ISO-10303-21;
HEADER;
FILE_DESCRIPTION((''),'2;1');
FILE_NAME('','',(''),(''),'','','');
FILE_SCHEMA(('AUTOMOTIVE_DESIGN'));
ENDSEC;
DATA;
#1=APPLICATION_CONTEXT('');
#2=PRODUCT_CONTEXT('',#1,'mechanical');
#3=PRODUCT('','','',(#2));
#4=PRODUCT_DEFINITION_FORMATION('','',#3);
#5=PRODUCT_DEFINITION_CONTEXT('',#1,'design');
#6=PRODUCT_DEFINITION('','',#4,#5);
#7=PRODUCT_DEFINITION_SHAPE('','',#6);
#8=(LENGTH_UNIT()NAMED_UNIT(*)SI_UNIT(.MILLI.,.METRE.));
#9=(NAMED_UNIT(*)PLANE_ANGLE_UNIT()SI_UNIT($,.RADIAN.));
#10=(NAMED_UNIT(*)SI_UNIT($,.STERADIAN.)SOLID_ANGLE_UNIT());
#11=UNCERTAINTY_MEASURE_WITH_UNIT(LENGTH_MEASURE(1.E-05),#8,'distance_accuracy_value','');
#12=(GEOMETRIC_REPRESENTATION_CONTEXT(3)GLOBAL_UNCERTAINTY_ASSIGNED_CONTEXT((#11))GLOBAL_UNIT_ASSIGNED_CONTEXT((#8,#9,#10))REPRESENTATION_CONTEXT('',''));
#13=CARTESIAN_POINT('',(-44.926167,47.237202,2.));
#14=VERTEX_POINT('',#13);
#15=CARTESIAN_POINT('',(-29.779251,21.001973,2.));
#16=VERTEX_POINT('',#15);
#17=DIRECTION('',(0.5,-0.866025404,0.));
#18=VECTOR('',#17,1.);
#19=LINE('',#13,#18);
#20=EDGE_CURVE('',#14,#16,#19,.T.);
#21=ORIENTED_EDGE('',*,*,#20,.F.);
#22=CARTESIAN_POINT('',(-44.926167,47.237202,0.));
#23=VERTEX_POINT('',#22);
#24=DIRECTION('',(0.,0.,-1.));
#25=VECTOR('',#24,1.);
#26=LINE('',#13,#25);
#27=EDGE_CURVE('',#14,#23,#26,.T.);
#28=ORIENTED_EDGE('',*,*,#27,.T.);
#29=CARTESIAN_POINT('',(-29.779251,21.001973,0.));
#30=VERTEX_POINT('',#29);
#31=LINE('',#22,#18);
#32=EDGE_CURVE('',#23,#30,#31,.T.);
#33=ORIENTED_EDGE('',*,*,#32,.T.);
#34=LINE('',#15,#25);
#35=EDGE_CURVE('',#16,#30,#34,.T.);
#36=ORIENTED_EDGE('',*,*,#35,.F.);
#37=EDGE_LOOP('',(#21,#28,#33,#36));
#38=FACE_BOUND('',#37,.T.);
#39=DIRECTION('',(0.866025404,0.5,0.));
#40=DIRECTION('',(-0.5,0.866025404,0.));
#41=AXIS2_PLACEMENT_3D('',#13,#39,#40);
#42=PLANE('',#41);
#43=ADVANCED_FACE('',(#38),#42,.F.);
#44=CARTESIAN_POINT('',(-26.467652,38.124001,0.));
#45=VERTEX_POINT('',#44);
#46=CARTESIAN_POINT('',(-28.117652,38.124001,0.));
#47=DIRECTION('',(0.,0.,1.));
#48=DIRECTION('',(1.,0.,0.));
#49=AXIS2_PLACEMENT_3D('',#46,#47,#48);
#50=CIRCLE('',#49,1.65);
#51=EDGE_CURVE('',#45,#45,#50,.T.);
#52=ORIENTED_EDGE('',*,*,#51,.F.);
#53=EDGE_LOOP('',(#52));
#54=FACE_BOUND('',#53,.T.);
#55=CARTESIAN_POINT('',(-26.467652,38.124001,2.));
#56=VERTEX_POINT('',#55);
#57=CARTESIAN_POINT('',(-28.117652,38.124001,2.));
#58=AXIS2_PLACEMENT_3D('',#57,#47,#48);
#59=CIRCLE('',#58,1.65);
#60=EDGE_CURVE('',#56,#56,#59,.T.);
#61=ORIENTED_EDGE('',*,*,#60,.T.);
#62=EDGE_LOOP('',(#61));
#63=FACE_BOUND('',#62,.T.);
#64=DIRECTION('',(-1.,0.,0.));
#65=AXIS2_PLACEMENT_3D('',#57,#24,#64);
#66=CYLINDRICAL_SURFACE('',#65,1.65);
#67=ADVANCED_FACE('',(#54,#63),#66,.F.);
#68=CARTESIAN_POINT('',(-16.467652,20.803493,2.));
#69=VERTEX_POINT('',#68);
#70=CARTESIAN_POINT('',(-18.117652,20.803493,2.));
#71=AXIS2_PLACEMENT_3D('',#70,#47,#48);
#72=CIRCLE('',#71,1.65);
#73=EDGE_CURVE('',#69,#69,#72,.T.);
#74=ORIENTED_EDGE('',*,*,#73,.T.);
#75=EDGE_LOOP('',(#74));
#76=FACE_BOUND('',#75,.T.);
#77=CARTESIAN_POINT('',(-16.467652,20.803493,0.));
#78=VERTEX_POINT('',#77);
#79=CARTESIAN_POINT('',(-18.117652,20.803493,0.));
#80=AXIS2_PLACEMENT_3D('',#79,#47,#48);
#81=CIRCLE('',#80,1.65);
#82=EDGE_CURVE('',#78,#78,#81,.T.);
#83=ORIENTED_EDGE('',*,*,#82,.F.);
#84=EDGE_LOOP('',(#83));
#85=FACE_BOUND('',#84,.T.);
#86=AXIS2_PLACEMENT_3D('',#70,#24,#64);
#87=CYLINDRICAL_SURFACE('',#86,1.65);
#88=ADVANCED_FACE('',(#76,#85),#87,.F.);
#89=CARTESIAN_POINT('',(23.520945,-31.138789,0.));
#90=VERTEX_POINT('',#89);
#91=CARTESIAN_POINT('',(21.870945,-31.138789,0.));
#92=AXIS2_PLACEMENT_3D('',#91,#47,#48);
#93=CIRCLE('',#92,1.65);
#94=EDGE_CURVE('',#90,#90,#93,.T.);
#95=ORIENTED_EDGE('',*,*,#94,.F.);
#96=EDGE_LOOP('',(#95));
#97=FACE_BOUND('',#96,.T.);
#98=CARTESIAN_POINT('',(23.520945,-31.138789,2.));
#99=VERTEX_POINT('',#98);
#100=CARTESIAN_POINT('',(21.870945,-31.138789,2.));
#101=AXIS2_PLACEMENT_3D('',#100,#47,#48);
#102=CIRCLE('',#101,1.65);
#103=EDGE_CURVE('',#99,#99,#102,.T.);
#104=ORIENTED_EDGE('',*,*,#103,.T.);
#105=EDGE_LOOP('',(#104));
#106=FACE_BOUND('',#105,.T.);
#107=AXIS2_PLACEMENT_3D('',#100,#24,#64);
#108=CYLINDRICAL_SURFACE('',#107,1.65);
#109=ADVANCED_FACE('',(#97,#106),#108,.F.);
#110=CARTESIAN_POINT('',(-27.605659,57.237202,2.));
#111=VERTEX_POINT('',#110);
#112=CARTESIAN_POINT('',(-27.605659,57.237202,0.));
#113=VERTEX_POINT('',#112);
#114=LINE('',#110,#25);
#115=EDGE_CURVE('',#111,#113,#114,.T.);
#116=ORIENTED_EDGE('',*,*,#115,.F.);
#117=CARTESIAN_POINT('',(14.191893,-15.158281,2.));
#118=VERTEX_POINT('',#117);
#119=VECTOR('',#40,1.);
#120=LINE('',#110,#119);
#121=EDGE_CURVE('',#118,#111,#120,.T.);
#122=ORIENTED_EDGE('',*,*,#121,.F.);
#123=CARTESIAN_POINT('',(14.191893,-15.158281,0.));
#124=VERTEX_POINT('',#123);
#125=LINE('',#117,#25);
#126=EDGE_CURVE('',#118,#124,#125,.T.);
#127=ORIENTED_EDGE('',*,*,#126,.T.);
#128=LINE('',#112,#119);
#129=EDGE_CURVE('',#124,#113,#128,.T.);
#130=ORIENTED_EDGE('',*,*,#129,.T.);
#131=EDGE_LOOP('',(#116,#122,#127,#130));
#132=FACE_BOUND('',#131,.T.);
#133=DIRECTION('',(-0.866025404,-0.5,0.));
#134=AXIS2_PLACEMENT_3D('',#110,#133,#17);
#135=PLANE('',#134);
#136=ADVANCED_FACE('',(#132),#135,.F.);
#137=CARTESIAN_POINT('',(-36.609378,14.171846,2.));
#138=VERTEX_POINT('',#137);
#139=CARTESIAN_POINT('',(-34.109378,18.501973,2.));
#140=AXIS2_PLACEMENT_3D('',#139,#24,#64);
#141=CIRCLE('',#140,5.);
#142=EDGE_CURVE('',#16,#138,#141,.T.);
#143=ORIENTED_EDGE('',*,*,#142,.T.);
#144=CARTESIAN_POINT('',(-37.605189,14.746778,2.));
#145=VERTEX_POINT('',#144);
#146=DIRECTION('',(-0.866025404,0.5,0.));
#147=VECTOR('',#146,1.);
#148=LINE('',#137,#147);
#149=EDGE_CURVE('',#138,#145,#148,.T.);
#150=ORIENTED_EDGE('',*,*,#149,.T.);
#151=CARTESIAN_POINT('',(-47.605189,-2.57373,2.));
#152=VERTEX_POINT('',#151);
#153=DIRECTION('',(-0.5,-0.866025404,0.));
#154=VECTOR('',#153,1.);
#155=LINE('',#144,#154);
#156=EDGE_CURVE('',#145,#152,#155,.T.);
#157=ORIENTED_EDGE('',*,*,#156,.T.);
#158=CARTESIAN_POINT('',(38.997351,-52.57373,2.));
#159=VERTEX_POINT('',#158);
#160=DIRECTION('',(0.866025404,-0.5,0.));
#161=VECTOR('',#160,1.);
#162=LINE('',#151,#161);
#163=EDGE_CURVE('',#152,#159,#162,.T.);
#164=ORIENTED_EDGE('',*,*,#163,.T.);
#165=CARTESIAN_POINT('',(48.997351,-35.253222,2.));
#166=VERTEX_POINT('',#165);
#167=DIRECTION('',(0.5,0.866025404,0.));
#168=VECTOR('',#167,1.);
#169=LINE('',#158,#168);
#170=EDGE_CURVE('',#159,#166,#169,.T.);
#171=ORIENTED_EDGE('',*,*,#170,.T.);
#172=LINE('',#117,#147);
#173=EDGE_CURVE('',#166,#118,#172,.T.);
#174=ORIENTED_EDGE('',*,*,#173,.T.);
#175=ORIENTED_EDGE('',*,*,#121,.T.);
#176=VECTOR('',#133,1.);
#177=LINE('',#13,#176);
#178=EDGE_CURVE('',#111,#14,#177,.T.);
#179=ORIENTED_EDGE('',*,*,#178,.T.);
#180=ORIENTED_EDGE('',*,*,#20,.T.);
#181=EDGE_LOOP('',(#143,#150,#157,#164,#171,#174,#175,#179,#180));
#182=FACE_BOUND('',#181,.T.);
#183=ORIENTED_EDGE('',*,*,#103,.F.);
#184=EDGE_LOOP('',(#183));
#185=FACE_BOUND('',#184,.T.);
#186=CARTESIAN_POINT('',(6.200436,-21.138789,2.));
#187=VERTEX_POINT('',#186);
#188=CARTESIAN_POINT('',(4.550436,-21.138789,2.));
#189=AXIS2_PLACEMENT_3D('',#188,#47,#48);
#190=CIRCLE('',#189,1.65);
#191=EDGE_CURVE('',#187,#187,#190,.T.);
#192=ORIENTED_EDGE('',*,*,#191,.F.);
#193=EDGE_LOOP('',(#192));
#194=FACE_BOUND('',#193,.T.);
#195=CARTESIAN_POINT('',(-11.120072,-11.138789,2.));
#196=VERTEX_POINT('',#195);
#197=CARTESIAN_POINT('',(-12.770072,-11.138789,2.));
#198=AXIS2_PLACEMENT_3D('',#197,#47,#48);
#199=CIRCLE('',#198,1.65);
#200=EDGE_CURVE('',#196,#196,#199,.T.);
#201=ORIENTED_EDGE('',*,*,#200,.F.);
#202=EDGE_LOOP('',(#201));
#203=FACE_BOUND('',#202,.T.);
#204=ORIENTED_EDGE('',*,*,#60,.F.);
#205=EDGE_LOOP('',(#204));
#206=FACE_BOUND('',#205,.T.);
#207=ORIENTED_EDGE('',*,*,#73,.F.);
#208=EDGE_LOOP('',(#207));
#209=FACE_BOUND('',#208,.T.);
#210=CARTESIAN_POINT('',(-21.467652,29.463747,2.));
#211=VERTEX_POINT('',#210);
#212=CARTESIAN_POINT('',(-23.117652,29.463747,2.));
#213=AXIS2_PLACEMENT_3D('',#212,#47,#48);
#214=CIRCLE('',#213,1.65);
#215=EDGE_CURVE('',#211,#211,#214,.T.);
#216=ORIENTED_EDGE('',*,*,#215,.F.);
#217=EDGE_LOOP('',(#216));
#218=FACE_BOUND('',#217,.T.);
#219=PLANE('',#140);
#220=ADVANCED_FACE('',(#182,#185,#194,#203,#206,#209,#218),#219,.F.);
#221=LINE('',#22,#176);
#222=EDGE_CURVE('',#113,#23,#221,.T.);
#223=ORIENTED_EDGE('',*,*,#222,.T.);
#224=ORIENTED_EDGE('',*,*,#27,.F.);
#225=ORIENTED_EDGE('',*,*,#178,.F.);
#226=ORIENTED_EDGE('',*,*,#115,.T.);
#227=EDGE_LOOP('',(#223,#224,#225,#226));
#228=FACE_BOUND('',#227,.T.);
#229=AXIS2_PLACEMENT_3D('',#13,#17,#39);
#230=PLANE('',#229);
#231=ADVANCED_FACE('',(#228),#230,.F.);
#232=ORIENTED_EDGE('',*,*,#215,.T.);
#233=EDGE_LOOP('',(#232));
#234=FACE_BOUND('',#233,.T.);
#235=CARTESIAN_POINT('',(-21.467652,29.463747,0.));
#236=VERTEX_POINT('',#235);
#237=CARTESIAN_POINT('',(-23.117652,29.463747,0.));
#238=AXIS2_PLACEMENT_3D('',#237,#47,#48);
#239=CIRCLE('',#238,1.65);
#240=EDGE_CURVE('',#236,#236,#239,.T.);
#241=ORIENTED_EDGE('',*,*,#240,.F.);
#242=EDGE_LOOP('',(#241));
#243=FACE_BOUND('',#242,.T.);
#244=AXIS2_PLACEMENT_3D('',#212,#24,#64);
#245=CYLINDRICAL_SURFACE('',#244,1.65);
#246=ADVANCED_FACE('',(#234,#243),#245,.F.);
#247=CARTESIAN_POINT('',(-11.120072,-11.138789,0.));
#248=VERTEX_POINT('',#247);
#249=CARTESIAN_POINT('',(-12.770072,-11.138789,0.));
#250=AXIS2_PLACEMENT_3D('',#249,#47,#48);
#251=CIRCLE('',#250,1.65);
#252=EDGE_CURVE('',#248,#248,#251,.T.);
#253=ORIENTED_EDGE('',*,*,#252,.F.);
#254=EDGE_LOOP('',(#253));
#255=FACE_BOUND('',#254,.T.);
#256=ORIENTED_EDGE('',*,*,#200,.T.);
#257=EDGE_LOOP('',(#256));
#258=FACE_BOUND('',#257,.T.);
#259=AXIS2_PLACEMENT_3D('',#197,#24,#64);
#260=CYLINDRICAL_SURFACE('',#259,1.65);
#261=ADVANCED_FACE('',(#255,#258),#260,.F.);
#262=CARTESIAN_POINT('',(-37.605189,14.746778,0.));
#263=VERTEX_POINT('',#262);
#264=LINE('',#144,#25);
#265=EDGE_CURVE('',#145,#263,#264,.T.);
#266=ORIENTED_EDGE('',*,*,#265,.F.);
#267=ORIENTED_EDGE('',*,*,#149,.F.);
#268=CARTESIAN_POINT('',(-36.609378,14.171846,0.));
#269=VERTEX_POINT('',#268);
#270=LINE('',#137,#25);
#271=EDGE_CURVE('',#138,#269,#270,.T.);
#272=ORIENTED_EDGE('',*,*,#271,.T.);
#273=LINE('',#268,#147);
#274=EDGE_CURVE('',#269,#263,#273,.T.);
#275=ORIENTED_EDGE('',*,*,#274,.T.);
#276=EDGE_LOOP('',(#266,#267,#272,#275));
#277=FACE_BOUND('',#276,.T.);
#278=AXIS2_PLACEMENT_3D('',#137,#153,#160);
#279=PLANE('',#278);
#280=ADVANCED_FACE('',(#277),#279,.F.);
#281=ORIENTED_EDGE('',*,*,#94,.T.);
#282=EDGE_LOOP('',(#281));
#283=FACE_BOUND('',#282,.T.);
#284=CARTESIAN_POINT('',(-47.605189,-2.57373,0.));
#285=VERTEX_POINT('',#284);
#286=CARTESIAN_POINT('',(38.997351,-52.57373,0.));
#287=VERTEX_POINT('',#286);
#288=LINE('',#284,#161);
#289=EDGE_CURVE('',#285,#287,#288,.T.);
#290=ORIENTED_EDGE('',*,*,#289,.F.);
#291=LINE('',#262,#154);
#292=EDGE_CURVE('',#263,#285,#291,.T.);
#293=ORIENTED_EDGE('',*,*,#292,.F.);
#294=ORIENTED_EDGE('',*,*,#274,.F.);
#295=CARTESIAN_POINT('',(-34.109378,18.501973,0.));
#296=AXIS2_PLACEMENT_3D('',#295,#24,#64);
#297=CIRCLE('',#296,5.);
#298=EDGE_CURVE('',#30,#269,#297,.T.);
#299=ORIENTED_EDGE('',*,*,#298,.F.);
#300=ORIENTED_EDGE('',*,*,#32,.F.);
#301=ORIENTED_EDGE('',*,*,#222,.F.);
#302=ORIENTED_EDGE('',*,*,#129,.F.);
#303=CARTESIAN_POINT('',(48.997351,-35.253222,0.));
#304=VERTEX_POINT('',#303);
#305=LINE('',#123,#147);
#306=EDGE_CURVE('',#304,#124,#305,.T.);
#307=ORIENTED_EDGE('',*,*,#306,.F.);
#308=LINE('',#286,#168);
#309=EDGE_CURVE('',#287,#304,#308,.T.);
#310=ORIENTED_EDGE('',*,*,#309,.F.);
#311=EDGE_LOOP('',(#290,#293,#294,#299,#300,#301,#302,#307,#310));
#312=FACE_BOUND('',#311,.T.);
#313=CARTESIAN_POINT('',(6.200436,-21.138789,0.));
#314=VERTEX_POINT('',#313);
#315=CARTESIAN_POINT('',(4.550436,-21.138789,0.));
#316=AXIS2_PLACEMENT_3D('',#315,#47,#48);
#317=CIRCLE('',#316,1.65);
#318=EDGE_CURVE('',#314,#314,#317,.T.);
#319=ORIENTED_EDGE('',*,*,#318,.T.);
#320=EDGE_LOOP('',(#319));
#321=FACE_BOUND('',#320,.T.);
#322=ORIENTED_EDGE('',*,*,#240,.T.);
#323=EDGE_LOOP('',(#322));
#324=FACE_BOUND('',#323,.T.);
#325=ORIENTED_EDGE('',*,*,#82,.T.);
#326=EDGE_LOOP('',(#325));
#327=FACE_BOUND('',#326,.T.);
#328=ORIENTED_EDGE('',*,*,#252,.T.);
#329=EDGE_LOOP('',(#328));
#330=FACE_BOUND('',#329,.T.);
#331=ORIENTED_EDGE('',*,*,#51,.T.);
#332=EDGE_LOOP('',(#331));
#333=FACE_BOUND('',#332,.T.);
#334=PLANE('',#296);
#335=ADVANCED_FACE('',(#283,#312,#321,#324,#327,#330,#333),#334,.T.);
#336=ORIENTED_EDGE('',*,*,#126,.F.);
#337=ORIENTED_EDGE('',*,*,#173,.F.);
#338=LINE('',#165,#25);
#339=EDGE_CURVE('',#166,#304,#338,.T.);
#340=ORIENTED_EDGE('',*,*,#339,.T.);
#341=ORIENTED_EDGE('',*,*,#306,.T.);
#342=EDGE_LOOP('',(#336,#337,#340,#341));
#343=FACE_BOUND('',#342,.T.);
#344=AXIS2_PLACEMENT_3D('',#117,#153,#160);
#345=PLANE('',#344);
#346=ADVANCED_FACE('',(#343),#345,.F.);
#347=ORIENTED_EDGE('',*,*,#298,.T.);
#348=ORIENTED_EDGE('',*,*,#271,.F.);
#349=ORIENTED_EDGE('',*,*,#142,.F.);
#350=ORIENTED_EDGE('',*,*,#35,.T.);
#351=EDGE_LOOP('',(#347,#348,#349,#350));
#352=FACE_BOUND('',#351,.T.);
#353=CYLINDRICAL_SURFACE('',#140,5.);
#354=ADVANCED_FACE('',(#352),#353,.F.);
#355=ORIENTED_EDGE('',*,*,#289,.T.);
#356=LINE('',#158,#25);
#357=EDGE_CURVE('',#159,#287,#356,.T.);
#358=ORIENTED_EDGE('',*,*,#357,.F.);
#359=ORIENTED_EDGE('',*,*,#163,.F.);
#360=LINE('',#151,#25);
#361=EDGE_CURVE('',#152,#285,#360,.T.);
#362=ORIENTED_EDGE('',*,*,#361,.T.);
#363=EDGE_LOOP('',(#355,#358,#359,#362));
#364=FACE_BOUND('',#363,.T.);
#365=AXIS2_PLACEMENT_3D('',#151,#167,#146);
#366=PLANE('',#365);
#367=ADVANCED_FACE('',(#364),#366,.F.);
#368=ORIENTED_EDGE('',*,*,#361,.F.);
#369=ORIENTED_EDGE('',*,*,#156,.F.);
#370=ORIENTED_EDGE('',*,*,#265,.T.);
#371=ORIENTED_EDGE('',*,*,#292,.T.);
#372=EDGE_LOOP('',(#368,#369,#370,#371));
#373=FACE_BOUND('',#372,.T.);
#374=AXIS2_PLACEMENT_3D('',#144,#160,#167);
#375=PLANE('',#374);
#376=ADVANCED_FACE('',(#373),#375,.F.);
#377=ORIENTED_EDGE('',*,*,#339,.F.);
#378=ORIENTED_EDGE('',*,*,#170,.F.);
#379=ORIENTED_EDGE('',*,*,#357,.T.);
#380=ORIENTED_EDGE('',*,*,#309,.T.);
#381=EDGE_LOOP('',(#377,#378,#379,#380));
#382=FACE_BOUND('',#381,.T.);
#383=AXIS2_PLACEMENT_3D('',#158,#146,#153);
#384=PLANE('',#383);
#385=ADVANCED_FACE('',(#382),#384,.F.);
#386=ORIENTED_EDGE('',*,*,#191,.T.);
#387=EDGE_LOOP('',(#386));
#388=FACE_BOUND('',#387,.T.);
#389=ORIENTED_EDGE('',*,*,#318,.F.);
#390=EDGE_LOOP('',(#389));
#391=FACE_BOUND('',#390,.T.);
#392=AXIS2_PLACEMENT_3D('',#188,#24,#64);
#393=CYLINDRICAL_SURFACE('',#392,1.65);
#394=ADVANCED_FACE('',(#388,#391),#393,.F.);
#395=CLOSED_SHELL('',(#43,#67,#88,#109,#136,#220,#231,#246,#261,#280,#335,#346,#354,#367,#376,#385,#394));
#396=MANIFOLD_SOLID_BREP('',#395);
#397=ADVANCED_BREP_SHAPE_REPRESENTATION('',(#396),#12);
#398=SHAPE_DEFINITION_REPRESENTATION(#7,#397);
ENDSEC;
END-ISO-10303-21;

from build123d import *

# Parameters (mm, degrees)
SKETCH_1_R      = 1.65
EXTRUDE_1_DEPTH = 2


with BuildPart() as part:
    # 草图1 → 凸台-拉伸1 (new body)
    with BuildSketch(Plane.XY):
        with BuildLine():
            Line((-37.605189444, 14.746778458), (-47.605189444, -2.573729618))
            Line((-47.605189444, -2.573729618), (38.997350935, -52.573729618))
            Line((38.997350935, -52.573729618), (48.997350935, -35.253221542))
            Line((48.997350935, -35.253221542), (14.191892619, -15.158280815))
            Line((14.191892619, -15.158280815), (-27.605658614, 57.237201553))
            Line((-27.605658614, 57.237201553), (-44.926166689, 47.237201553))
            Line((-44.926166689, 47.237201553), (-29.779250551, 21.001973223))
            ThreePointArc((-29.779250551, 21.001973223), (-30.573843664, 14.966439317), (-36.60937757, 14.171846204))
            Line((-36.60937757, 14.171846204), (-37.605189444, 14.746778458))
        make_face()
        with Locations((21.870944537, -31.13878889)):
            Circle(SKETCH_1_R, mode=Mode.SUBTRACT)
        with Locations((4.550436462, -21.13878889)):
            Circle(SKETCH_1_R, mode=Mode.SUBTRACT)
        with Locations((-12.770071614, -11.13878889)):
            Circle(SKETCH_1_R, mode=Mode.SUBTRACT)
        with Locations((-18.117652306, 20.803492565)):
            Circle(SKETCH_1_R, mode=Mode.SUBTRACT)
        with Locations((-23.117652306, 29.463746603)):
            Circle(SKETCH_1_R, mode=Mode.SUBTRACT)
        with Locations((-28.117652306, 38.124000641)):
            Circle(SKETCH_1_R, mode=Mode.SUBTRACT)
    extrude(amount=EXTRUDE_1_DEPTH)


solid = part.part
